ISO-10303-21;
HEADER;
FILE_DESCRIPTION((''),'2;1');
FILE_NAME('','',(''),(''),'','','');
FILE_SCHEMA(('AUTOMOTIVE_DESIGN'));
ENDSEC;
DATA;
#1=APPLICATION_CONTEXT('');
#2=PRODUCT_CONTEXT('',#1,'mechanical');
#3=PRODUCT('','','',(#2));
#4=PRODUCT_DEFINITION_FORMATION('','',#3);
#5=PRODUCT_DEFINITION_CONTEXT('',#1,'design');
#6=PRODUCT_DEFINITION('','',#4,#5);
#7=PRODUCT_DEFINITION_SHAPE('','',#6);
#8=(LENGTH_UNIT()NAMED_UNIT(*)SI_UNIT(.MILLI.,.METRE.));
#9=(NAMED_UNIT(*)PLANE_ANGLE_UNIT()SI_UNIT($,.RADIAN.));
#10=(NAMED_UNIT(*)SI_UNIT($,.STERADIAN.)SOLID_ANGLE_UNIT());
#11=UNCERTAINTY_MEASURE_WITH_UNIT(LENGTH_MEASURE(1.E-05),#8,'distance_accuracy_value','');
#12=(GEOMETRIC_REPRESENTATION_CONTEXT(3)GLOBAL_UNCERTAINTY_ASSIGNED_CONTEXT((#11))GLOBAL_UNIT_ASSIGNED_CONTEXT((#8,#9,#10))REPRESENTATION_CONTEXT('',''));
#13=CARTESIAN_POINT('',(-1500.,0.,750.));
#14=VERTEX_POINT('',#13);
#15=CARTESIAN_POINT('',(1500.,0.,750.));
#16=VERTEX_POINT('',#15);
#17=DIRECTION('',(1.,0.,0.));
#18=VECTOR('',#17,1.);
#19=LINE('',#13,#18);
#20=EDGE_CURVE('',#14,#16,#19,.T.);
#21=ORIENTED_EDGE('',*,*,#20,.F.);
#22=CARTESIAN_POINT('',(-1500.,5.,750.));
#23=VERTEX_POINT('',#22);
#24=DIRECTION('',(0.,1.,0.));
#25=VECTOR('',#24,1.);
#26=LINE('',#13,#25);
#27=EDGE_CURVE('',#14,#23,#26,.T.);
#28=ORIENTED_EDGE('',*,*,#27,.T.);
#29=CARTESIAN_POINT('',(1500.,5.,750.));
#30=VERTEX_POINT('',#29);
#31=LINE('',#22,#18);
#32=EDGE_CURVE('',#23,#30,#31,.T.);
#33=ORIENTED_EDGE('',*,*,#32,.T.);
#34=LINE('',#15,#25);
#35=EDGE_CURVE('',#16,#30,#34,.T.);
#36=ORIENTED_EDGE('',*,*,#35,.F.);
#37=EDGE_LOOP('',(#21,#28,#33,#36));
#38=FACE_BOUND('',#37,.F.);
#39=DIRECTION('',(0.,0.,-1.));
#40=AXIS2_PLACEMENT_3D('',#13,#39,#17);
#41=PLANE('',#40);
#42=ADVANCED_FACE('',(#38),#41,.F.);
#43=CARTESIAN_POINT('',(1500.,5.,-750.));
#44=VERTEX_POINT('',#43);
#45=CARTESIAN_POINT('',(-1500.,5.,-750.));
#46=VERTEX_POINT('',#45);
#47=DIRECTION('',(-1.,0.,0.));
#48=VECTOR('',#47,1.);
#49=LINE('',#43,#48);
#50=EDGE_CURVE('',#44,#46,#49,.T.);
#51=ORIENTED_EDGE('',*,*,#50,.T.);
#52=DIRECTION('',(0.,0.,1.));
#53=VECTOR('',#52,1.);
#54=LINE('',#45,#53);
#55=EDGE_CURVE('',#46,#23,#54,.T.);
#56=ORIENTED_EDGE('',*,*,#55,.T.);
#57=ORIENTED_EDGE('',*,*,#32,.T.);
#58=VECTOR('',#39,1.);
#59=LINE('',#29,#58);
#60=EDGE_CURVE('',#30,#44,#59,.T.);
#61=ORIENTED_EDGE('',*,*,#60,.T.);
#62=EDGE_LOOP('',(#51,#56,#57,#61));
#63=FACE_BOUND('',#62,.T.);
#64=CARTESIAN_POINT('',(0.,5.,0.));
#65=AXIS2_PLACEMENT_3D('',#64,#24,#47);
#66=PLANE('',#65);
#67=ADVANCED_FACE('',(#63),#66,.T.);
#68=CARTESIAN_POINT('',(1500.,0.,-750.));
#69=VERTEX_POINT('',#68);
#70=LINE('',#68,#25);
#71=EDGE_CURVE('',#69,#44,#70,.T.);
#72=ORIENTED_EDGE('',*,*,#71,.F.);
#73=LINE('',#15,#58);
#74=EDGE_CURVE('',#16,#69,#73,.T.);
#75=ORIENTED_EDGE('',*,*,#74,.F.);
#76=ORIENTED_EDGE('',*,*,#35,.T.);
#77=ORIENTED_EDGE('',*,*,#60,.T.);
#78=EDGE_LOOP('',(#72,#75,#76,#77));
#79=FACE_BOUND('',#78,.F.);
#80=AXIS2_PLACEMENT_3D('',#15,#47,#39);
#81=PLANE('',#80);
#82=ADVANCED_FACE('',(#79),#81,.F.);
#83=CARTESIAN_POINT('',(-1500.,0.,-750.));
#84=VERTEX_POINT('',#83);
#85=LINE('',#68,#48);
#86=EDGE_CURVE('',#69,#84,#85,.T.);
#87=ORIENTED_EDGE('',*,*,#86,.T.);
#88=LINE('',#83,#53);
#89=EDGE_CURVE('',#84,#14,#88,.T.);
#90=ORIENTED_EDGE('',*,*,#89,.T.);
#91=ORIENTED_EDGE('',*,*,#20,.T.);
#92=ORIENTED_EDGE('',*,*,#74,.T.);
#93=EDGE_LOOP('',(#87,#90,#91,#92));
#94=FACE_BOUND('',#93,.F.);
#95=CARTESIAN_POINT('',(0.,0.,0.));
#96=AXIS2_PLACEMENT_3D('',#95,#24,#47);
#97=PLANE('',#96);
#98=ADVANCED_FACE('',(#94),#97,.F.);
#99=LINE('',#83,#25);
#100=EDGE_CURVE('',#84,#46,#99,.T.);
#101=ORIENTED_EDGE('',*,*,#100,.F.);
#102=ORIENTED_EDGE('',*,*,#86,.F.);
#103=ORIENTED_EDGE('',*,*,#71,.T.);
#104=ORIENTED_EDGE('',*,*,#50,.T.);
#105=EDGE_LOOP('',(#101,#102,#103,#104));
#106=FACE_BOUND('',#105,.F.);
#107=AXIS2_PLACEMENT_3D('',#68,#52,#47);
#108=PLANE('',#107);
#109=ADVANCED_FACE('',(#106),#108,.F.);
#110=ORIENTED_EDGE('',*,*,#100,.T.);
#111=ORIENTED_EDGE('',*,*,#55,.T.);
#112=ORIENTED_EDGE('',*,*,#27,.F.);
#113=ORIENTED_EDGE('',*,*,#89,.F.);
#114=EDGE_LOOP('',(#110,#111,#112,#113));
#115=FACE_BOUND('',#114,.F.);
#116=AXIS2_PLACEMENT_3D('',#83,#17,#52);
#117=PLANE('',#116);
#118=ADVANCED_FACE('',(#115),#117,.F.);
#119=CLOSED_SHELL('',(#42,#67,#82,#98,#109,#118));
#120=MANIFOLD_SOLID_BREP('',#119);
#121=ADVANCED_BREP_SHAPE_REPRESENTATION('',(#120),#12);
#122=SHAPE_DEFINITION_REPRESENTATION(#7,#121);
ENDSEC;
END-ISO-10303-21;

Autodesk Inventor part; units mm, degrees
ref_plane "YZ Plane" through (0, 0, 0) normal (1, 0, 0) x (0, 1, 0)
ref_plane "XZ Plane" through (0, 0, 0) normal (0, 1, 0) x (-1, 0, 0)
ref_plane "XY Plane" through (0, 0, 0) normal (0, 0, 1) x (1, 0, 0)
sketch "Эскиз1" plane through (0, 0, 0) normal (0, 1, 0) x (-1, 0, 0)
  line L0 (1500, 750) -> (-1500, 750)
  line L1 (-1500, 750) -> (-1500, -750)
  line L2 (-1500, -750) -> (1500, -750)
  line L3 (1500, -750) -> (1500, 750)
  line L4 (1500, 750) -> (-1500, -750) construction
  line L5 (-1500, 750) -> (1500, -750) construction
  point P0 (0, 0)
  dimension "d0" = 3000
  dimension "d1" = 1500
extrude "Пластина1" add sketch "Эскиз1" along normal blind 5
equation "\"d2\" = Толщина"
equation "\"Радиус_гибки\" = Толщина"
equation "\"Ширина_просечки\" = Толщина"
equation "\"Глубина_просечки\" = 0.5 * Толщина"
equation "\"Радиус_перехода\" = Радиус_гибки"
equation "\"Радиус_Якоби\" = Радиус_гибки"
equation "\"Размер_зазора\" = Толщина"
equation "\"Толщина\" = 5"
properties part number "0921_CPY_CPY"
